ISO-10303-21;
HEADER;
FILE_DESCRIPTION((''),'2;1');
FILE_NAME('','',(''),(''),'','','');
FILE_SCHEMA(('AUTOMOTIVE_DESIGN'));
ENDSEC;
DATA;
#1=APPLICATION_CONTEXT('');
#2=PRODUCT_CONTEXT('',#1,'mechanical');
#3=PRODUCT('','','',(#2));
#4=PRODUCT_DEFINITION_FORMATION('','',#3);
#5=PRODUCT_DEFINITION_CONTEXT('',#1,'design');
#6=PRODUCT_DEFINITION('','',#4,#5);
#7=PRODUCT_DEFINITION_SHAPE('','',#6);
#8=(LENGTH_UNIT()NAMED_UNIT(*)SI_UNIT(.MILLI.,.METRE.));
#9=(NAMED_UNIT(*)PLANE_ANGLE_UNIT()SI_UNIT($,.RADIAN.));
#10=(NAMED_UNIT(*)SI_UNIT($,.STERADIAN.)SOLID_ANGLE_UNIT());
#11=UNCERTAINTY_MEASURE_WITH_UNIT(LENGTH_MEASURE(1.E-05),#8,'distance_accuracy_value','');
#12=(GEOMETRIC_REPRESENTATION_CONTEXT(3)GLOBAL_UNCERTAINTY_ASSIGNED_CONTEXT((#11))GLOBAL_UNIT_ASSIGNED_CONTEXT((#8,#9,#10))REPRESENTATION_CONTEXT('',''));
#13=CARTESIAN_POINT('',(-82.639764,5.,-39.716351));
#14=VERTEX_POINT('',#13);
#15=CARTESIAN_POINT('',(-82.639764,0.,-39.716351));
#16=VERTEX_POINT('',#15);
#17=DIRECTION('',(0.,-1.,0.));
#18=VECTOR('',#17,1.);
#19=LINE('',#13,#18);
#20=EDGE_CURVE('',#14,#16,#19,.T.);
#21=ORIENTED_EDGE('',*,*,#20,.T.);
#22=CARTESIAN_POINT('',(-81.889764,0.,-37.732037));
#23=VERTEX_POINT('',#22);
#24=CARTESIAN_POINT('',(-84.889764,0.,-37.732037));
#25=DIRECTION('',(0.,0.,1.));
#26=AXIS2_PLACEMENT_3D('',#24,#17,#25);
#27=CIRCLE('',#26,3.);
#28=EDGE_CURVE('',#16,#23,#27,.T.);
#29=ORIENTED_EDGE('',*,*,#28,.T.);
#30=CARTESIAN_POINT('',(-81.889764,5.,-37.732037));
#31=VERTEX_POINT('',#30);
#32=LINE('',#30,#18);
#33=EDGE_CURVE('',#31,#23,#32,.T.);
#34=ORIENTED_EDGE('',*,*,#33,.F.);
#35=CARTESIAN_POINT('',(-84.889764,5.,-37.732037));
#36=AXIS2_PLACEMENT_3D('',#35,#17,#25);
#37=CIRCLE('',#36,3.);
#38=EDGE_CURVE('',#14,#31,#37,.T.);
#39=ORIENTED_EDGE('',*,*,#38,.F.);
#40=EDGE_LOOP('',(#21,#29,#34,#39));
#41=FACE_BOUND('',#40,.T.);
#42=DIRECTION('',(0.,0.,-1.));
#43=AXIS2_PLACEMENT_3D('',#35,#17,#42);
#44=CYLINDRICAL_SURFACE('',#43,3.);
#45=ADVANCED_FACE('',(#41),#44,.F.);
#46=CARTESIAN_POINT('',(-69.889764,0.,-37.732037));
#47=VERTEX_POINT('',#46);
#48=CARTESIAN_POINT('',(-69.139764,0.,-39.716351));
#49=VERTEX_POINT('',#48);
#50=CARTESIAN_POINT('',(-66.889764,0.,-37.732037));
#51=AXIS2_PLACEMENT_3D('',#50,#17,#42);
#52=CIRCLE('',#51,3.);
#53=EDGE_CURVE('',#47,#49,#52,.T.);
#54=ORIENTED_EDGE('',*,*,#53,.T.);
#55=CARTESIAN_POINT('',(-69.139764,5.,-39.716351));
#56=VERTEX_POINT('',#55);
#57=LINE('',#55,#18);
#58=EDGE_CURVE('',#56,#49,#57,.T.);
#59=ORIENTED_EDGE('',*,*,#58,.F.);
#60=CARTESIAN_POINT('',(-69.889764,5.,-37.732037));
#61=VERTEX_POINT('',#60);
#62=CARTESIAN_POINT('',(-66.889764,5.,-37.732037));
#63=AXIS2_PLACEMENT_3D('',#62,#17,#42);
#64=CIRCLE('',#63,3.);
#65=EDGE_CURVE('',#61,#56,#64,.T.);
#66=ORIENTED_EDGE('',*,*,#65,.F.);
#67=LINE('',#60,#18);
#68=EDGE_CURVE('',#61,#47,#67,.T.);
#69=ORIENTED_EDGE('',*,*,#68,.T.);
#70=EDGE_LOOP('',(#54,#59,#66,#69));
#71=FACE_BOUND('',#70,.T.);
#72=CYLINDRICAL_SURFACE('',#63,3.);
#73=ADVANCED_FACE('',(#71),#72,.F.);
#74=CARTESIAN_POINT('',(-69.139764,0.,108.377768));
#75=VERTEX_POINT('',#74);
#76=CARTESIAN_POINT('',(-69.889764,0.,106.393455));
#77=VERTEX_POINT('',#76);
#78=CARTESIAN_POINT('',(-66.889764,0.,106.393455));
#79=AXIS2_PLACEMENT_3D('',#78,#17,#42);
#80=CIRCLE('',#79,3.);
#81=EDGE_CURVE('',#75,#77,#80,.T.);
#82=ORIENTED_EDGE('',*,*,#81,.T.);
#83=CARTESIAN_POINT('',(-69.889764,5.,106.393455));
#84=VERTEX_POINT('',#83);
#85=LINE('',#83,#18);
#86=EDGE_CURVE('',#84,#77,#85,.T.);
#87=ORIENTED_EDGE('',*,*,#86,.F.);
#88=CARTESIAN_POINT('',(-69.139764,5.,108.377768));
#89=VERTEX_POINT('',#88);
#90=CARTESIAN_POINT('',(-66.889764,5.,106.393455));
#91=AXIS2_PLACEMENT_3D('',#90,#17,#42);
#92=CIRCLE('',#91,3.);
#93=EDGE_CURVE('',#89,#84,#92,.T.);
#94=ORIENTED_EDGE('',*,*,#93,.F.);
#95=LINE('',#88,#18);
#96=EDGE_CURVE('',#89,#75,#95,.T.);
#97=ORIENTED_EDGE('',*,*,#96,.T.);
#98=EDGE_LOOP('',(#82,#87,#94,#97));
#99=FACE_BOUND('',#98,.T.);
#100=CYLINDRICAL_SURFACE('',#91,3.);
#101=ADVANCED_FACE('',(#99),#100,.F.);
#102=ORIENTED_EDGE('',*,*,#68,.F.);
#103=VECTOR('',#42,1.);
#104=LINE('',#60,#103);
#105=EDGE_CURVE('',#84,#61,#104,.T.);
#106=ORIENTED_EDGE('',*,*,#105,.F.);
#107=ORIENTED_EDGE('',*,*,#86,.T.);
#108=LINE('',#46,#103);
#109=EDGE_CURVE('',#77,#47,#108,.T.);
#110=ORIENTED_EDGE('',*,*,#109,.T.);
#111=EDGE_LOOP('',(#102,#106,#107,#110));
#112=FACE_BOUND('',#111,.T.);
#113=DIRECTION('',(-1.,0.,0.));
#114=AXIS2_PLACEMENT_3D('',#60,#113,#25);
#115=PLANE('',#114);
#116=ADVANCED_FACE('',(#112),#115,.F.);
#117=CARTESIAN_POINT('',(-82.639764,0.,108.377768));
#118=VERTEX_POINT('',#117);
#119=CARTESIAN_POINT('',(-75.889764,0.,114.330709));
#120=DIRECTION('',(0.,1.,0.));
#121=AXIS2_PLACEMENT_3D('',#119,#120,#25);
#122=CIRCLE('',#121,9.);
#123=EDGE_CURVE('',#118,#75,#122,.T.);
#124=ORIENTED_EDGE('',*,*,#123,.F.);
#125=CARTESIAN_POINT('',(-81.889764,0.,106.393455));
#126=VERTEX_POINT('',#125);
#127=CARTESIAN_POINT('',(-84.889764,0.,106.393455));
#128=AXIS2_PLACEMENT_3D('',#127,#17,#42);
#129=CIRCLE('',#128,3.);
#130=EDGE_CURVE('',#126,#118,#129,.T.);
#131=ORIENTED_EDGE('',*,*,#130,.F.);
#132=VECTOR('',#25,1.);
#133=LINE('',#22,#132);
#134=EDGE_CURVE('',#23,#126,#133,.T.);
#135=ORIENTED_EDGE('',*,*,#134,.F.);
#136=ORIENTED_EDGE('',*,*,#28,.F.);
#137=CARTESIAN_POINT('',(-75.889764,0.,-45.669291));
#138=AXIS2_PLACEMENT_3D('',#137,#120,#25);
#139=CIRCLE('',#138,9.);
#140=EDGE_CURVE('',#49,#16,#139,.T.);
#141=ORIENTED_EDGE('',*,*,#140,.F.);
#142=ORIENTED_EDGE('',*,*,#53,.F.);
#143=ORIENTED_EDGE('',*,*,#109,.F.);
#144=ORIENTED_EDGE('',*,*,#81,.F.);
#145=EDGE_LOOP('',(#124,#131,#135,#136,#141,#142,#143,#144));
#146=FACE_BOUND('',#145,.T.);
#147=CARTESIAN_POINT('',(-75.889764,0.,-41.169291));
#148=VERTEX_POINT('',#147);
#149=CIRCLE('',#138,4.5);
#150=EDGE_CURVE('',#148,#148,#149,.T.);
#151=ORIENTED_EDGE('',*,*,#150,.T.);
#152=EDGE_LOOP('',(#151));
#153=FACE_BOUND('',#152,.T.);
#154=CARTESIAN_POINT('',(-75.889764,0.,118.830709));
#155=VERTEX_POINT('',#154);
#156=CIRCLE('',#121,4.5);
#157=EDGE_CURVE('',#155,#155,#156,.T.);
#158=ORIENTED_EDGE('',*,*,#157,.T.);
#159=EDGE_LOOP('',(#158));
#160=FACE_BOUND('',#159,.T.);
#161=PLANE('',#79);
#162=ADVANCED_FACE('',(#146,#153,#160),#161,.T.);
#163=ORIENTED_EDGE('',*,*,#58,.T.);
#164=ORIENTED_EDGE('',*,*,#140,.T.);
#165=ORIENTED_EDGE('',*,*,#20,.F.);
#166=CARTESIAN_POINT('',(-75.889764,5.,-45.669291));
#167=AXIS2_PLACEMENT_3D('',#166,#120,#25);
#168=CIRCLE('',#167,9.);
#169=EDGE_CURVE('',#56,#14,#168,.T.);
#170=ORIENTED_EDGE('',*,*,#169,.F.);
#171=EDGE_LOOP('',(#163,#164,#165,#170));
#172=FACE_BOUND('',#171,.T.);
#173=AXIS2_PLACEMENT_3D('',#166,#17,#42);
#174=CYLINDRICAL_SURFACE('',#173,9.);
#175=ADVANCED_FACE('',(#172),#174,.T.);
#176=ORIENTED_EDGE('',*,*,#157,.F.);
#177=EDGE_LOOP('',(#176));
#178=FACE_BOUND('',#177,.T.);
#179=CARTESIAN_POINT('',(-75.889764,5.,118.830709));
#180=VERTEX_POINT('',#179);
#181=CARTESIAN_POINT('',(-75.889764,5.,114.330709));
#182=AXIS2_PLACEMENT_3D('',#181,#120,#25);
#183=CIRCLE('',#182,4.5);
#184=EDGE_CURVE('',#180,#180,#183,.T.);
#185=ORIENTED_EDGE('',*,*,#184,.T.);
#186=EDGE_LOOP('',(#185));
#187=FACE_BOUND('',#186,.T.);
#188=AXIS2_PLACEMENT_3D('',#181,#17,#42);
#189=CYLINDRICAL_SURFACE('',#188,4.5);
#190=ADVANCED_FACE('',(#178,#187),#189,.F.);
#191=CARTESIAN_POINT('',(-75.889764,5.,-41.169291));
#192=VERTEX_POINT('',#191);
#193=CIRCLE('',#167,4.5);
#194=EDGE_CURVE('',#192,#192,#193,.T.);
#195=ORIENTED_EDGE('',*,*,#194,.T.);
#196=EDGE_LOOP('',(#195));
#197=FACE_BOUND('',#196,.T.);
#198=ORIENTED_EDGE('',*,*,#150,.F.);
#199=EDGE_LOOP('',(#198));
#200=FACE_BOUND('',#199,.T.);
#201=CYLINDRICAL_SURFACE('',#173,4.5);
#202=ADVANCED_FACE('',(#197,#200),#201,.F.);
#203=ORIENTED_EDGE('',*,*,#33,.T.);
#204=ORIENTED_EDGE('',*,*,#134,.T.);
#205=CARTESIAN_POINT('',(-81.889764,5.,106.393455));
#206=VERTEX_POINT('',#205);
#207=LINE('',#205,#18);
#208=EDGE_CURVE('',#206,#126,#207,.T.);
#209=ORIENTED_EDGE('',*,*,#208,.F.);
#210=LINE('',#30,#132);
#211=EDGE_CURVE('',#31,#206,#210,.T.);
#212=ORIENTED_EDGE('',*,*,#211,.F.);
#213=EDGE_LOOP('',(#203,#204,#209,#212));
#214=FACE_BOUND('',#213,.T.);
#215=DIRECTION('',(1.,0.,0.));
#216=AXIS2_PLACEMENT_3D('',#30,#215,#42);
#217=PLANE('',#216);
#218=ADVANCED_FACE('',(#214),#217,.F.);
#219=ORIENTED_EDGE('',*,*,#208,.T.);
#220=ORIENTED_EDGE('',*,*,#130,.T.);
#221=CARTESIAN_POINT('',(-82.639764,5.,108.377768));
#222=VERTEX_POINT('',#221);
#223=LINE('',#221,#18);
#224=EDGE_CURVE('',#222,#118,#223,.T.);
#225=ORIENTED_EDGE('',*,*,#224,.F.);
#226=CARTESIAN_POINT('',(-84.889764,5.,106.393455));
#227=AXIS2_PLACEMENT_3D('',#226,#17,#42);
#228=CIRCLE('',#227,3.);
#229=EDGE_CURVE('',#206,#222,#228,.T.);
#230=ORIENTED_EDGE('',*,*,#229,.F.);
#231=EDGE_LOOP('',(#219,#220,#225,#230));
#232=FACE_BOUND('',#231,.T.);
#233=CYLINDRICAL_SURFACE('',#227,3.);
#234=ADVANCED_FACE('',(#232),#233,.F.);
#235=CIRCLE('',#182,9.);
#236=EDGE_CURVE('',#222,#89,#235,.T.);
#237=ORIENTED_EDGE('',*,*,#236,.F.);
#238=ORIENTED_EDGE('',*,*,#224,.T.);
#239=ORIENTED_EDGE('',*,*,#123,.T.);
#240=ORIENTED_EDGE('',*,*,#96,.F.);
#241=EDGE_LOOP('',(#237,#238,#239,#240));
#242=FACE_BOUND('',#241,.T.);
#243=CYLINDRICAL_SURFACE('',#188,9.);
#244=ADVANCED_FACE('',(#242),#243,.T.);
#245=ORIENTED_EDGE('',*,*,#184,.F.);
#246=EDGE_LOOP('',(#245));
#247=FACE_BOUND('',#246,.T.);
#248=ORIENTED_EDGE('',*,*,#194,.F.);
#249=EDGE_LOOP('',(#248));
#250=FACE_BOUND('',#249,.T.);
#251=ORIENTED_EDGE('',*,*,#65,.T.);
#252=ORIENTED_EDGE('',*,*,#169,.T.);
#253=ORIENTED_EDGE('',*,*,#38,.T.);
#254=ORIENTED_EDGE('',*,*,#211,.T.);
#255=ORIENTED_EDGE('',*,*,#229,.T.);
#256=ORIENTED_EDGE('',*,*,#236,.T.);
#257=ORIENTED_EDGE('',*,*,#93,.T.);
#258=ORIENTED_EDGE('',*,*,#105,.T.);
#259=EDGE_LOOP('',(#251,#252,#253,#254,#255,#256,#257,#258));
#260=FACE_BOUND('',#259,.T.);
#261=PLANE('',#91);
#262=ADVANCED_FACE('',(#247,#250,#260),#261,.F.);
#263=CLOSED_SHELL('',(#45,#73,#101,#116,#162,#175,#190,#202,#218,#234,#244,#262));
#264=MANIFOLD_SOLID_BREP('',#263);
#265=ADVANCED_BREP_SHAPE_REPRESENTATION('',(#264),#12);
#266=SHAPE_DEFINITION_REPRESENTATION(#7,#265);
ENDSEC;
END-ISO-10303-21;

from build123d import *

# Parameters (mm, degrees)
SKETCH_1_R      = 4.5
EXTRUDE_1_DEPTH = 5


with BuildPart() as part:
    # 草图1 → 凸台-拉伸1 (new body)
    with BuildSketch(Plane(origin=(0, 0, 0), x_dir=(1, 0, 0), z_dir=(0, 1, 0))):
        with BuildLine():
            Line((-81.88976378, 37.732037405), (-81.88976378, -106.393454728))
            ThreePointArc((-81.88976378, -106.393454728), (-82.083520739, -107.4541149), (-82.63976378, -108.377768212))
            ThreePointArc((-82.63976378, -108.377768212), (-75.88976378, -123.330708661), (-69.13976378, -108.377768212))
            ThreePointArc((-69.13976378, -108.377768212), (-69.69600682, -107.4541149), (-69.88976378, -106.393454728))
            Line((-69.88976378, -106.393454728), (-69.88976378, 37.732037405))
            ThreePointArc((-69.88976378, 37.732037405), (-69.69600682, 38.792697577), (-69.13976378, 39.716350889))
            ThreePointArc((-69.13976378, 39.716350889), (-75.88976378, 54.669291339), (-82.63976378, 39.716350889))
            ThreePointArc((-82.63976378, 39.716350889), (-82.083520739, 38.792697577), (-81.88976378, 37.732037405))
        make_face()
        with Locations(Location((-75.88976378, 45.669291339, 0), (0, 0, 270))):
            Circle(SKETCH_1_R, mode=Mode.SUBTRACT)
        with Locations(Location((-75.88976378, -114.330708661, 0), (0, 0, 270))):
            Circle(SKETCH_1_R, mode=Mode.SUBTRACT)
    extrude(amount=EXTRUDE_1_DEPTH)


solid = part.part
